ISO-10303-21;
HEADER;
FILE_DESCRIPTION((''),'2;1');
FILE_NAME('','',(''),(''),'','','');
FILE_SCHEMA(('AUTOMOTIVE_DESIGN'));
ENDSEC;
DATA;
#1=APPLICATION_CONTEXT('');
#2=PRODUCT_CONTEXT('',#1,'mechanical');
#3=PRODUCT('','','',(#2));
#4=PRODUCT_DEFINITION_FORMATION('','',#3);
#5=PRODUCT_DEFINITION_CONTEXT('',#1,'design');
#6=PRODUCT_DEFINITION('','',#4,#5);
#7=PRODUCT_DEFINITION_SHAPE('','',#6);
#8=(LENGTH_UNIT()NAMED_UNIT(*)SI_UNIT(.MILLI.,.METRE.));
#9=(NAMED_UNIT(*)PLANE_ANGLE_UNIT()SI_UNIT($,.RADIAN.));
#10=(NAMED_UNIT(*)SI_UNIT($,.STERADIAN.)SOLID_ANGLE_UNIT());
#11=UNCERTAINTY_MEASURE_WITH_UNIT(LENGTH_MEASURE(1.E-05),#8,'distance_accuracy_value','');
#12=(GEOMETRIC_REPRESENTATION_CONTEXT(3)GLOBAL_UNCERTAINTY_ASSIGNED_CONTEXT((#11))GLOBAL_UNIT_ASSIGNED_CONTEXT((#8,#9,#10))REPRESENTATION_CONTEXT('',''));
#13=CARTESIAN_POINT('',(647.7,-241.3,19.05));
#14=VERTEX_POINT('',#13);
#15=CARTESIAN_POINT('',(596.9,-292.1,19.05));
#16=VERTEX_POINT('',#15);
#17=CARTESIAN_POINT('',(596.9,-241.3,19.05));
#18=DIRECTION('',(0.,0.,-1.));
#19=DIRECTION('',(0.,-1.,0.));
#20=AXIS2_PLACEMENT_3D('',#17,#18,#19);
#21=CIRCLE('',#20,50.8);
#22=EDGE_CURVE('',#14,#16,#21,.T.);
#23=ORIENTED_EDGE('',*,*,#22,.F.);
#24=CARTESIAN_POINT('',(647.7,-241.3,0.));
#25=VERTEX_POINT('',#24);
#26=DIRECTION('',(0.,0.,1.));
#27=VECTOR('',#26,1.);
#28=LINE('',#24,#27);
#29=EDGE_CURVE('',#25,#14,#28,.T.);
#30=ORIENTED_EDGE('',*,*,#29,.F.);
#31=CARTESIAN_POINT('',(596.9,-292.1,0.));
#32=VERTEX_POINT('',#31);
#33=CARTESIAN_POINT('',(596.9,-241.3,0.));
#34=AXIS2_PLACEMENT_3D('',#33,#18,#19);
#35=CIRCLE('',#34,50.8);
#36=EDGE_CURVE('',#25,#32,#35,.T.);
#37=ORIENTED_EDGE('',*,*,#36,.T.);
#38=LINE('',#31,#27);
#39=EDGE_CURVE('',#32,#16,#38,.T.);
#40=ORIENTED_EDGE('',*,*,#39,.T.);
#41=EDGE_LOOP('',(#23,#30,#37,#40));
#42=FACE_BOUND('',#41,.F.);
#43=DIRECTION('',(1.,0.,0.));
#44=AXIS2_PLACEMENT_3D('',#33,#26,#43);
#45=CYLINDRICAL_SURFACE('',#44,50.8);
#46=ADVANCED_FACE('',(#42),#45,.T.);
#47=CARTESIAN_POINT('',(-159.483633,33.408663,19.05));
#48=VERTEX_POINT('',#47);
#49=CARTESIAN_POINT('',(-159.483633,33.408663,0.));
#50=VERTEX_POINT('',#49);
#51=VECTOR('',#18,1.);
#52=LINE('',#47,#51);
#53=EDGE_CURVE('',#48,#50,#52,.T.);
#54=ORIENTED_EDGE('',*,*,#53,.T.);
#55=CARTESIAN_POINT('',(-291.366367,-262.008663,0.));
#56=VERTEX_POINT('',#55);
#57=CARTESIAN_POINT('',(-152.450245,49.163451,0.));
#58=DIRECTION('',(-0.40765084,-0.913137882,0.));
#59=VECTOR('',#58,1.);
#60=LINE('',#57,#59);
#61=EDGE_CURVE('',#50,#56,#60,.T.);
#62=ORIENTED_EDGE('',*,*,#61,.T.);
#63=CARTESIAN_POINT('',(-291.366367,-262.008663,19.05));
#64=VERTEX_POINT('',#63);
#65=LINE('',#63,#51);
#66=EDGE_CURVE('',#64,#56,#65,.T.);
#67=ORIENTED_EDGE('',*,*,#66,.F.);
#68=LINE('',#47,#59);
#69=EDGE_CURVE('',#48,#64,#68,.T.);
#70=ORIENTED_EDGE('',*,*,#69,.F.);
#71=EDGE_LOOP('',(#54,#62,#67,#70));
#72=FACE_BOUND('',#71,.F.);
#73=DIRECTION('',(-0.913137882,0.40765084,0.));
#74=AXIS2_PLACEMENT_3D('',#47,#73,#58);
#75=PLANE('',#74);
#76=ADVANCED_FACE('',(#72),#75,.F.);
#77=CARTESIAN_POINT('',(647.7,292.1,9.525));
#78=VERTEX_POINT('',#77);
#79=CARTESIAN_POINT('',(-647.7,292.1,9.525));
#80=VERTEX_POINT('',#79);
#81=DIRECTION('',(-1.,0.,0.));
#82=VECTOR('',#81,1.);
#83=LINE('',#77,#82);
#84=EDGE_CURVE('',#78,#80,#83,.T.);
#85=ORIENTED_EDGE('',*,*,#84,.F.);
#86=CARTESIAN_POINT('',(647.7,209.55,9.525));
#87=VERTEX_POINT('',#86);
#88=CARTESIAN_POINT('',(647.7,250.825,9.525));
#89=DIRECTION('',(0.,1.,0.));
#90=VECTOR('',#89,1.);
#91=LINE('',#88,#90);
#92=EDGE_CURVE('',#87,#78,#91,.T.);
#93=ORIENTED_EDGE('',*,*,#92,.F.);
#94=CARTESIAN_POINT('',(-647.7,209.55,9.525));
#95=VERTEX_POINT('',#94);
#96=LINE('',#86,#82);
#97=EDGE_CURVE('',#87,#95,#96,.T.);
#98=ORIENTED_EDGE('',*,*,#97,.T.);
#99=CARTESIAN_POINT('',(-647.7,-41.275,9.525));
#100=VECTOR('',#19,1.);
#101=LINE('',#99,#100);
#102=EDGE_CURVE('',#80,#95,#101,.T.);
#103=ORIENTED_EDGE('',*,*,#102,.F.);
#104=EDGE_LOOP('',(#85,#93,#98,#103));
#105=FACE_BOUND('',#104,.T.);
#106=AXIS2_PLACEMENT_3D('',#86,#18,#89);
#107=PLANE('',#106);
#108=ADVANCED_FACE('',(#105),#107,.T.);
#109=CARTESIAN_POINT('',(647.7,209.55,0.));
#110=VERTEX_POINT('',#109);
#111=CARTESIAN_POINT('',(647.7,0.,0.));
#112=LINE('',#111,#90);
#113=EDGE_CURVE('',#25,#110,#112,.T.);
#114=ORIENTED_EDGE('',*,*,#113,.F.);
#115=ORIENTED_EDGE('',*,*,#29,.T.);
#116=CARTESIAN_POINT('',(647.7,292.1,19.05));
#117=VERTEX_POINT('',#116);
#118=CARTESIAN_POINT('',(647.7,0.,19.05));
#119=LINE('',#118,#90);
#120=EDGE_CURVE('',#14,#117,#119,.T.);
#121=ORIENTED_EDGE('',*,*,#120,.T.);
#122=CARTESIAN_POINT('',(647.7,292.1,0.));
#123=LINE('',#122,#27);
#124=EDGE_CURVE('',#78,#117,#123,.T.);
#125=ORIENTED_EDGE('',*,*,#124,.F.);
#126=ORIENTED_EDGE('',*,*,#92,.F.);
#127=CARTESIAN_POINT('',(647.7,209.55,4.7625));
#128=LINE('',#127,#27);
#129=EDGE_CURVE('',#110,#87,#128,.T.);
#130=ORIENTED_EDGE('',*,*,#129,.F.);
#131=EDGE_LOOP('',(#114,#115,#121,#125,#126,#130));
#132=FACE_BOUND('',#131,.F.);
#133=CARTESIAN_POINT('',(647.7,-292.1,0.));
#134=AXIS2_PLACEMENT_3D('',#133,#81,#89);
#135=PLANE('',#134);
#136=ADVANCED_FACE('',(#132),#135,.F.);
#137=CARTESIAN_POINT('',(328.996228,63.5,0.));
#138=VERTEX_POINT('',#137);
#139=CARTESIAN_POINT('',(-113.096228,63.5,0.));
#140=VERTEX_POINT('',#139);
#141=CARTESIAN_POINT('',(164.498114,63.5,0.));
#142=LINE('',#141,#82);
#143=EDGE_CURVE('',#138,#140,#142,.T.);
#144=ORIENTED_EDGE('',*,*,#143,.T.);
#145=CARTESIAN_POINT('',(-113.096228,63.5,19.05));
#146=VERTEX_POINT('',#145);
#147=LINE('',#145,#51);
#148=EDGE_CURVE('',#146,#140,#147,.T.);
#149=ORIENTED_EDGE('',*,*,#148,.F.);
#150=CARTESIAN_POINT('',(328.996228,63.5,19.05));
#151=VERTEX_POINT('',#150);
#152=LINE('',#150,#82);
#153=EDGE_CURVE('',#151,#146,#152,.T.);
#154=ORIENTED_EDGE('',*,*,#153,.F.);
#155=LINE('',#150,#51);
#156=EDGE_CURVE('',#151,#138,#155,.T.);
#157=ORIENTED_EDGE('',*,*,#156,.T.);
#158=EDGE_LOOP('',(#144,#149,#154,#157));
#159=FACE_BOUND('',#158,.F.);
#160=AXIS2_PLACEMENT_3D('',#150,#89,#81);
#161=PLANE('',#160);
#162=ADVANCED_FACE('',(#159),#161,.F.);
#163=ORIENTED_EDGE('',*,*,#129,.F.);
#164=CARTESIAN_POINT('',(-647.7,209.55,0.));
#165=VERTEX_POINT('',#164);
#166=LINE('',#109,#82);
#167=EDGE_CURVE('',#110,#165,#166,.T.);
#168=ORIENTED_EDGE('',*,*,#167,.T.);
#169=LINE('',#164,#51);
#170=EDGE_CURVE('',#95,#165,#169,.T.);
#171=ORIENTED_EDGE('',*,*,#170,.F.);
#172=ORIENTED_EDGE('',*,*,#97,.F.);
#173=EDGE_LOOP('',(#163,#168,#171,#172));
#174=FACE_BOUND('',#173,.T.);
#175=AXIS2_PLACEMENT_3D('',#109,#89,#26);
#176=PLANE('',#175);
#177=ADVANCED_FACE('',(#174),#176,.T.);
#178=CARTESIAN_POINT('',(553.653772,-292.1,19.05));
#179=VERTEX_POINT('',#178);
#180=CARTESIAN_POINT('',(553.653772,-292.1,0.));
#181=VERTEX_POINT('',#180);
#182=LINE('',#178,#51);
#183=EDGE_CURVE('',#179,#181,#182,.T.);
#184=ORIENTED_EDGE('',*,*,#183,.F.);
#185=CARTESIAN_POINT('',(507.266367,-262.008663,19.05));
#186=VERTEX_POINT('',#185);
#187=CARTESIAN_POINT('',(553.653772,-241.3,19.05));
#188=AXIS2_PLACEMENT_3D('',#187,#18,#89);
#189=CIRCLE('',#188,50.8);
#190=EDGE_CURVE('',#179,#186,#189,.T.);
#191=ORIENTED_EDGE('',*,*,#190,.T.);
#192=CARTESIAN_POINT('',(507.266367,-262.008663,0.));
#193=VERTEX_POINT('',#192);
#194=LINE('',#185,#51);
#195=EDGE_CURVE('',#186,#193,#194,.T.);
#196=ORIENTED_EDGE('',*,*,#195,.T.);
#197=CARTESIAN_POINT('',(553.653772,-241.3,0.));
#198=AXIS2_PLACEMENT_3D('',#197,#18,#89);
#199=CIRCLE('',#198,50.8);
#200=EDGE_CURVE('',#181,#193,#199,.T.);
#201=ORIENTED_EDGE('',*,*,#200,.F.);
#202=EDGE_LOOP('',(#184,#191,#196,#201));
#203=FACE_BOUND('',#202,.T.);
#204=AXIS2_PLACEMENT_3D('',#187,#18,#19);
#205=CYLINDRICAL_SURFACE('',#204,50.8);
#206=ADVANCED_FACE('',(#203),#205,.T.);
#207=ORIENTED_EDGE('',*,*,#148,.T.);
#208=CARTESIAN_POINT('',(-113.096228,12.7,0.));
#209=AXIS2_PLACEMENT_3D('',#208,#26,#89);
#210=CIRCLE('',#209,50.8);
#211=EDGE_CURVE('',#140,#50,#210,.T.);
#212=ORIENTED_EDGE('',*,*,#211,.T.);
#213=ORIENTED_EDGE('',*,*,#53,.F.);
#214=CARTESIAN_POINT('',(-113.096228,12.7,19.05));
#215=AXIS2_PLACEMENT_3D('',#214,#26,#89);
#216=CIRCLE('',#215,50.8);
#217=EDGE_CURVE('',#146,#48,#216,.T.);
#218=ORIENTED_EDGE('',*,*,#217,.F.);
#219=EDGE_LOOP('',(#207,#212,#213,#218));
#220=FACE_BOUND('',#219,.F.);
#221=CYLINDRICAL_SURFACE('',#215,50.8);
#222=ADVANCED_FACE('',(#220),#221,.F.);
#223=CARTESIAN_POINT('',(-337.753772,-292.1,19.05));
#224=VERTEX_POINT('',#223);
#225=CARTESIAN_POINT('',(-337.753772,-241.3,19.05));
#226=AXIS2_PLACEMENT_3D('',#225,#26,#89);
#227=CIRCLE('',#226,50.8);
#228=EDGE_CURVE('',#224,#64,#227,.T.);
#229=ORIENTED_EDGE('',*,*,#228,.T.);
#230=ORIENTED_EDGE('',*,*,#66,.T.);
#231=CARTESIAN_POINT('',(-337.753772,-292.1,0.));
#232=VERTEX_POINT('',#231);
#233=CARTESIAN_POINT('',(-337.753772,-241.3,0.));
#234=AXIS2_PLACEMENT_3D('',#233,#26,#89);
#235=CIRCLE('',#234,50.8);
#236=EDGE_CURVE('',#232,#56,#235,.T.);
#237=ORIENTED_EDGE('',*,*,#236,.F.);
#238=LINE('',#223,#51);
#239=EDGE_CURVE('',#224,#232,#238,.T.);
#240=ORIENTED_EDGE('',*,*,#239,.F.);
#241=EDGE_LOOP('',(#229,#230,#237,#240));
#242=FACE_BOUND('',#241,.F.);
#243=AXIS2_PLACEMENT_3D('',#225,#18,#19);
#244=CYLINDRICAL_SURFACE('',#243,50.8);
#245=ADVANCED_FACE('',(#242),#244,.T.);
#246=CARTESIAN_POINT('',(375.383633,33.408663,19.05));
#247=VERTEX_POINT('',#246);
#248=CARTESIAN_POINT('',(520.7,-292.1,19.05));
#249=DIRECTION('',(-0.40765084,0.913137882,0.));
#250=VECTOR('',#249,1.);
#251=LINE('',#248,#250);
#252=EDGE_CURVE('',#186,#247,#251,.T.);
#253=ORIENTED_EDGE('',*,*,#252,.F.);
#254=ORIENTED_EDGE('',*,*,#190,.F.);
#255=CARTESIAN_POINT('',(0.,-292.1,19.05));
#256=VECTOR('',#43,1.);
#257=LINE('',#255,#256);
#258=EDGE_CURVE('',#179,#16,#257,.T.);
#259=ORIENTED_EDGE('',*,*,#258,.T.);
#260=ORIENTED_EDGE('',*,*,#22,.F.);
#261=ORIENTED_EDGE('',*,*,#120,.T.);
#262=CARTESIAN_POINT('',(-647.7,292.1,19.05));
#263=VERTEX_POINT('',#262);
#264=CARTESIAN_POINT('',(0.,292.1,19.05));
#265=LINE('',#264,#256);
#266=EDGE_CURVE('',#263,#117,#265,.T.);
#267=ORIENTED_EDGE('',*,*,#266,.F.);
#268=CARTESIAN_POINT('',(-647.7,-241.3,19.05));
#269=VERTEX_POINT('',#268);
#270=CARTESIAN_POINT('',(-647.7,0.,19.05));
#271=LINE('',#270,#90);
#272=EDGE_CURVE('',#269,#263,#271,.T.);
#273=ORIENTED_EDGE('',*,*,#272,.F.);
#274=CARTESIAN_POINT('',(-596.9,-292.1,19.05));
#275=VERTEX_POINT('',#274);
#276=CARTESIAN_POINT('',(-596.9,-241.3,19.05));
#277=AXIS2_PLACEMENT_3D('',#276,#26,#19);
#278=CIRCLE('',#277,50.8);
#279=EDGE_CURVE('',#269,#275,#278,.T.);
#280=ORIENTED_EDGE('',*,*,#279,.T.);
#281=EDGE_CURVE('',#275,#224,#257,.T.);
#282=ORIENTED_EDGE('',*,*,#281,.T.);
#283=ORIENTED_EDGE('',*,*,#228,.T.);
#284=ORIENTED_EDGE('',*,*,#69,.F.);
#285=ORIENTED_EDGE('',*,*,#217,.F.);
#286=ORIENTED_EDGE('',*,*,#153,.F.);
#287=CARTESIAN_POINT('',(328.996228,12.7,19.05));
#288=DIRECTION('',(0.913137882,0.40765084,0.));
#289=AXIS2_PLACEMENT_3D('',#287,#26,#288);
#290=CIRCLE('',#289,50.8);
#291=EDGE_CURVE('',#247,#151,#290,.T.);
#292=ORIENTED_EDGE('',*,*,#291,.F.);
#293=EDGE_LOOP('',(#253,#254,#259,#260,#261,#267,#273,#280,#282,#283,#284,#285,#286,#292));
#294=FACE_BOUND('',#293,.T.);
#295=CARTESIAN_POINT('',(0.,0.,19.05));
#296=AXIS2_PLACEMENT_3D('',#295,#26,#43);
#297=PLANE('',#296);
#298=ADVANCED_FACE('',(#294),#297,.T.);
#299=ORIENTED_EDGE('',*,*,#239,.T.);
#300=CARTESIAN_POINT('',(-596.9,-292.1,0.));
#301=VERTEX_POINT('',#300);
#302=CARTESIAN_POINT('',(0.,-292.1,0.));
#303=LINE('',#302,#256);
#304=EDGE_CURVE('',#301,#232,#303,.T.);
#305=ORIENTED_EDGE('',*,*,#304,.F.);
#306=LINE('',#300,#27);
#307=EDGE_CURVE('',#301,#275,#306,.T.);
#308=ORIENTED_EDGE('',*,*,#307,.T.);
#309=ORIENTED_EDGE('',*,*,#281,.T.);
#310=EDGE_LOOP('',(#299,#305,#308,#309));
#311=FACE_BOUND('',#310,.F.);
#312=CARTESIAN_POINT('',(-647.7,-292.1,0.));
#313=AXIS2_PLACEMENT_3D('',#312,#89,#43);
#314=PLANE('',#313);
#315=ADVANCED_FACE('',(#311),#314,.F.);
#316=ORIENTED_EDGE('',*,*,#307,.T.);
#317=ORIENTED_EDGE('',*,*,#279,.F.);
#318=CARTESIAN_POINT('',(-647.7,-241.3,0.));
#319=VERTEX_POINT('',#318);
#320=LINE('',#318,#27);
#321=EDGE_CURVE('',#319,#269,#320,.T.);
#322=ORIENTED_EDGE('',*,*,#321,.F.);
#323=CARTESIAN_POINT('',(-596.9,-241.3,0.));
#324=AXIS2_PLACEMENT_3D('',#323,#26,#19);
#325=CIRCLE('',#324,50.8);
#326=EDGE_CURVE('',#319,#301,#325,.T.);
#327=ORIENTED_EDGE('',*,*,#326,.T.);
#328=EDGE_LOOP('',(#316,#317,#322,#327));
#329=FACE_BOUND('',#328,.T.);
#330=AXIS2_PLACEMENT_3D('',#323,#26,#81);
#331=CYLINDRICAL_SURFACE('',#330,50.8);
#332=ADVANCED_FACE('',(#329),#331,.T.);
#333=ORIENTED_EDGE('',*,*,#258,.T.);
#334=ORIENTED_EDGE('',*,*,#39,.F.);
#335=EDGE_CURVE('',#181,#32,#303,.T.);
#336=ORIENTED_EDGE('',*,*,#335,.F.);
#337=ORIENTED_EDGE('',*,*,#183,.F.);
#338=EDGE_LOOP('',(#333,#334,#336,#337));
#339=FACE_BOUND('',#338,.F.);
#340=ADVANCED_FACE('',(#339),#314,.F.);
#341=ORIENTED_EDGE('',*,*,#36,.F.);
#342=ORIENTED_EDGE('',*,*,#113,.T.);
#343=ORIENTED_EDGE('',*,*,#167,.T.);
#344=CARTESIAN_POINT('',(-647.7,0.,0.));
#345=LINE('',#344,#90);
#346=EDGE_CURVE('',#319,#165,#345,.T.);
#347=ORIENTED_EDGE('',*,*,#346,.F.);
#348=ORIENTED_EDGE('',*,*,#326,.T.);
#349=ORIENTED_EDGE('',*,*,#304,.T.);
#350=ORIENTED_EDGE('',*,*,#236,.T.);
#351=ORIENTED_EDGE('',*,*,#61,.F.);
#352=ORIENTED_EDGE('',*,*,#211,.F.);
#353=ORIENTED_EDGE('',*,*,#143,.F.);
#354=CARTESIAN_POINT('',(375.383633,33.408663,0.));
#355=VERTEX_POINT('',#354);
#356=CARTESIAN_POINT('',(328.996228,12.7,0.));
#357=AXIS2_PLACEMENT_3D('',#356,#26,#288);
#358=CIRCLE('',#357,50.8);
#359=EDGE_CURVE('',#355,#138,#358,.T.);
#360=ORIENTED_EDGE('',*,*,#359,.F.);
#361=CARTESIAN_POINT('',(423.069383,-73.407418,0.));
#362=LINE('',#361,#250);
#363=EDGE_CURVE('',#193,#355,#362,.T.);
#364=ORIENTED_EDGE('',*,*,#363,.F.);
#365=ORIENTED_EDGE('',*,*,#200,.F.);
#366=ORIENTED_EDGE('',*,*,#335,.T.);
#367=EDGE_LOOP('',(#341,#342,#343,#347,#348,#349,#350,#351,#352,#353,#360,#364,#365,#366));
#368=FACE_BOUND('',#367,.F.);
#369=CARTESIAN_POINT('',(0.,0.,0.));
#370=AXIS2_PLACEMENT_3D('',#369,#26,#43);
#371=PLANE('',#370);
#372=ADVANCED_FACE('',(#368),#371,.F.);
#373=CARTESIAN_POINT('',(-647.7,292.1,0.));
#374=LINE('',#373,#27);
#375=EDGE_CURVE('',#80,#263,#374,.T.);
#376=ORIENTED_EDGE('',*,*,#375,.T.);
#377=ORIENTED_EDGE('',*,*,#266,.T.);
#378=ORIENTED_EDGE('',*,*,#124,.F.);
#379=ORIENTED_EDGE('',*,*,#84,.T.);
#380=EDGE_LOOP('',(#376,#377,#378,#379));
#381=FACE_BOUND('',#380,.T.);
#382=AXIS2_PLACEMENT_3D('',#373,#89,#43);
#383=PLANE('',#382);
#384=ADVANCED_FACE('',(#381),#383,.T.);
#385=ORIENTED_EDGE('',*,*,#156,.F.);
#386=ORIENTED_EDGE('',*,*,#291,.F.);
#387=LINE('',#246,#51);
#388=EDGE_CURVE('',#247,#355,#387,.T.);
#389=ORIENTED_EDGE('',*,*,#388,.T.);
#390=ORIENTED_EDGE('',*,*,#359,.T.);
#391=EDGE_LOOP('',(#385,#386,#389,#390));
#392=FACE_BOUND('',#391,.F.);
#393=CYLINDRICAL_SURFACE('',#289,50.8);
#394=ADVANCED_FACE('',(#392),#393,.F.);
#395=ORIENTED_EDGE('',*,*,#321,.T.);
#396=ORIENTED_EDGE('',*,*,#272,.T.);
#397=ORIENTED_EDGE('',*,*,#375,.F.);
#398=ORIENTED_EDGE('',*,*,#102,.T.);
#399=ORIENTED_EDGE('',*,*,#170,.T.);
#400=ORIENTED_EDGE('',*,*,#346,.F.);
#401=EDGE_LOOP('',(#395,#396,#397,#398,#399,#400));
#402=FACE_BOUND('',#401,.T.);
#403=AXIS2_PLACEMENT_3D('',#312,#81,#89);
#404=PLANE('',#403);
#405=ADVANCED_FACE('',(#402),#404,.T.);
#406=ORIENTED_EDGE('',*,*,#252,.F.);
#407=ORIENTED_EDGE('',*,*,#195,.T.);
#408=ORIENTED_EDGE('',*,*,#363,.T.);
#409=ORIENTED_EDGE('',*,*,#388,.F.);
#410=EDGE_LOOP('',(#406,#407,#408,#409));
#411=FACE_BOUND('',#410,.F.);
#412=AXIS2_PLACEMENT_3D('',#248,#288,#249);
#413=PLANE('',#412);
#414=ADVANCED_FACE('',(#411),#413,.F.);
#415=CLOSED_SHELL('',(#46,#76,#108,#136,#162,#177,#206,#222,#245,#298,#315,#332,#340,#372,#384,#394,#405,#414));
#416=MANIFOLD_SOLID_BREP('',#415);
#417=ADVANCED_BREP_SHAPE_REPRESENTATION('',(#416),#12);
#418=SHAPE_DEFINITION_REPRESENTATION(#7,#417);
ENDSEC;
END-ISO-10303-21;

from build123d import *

# Parameters (mm, degrees)
F0_W     = 1295.4
F0_H     = 584.2
F1_DEPTH = 19.05
F3_DEPTH = 25.4
F4_R     = 50.8
F5_W     = 82.55
F5_H     = 9.525
F6_DEPTH = 1295.401


with BuildPart() as f1:
    # F0 (on Top) → F1 (new body)
    with BuildSketch(Plane.XY):
        Rectangle(F0_W, F0_H)
    extrude(amount=F1_DEPTH)

    # F2 (on face) → F3 (cut)
    with BuildSketch(Plane.XY.offset(19.05)):
        with BuildLine():
            Line((-159.4836327272, 33.408662691), (-304.8, -292.1))
            Line((-304.8, -292.1), (520.7, -292.1))
            Line((520.7, -292.1), (375.3836327272, 33.408662691))
            ThreePointArc((375.3836327272, 33.408662691), (356.6425656273, 55.3183063055), (328.9962282994, 63.5))
            Line((328.9962282994, 63.5), (-113.0962282994, 63.5))
            ThreePointArc((-113.0962282994, 63.5), (-140.7425656273, 55.3183063055), (-159.4836327272, 33.408662691))
        make_face()
    extrude(amount=-F3_DEPTH, mode=Mode.SUBTRACT)

    # F4
    f4_edges = [f1.edges().sort_by_distance(p)[0] for p in [
        (-304.8, -292.1, 9.525),
        (520.7, -292.1, 9.525),
        (647.7, -292.1, 9.525),
        (-647.7, -292.1, 9.525),
    ]]
    fillet(f4_edges, radius=F4_R)

    # F5 (on face) → F6 (cut, through all)
    with BuildSketch(Plane.YZ.offset(647.7)):
        with Locations((250.825, 4.7625)):
            Rectangle(F5_W, F5_H)
    extrude(amount=-F6_DEPTH, mode=Mode.SUBTRACT)


solid = f1.part
